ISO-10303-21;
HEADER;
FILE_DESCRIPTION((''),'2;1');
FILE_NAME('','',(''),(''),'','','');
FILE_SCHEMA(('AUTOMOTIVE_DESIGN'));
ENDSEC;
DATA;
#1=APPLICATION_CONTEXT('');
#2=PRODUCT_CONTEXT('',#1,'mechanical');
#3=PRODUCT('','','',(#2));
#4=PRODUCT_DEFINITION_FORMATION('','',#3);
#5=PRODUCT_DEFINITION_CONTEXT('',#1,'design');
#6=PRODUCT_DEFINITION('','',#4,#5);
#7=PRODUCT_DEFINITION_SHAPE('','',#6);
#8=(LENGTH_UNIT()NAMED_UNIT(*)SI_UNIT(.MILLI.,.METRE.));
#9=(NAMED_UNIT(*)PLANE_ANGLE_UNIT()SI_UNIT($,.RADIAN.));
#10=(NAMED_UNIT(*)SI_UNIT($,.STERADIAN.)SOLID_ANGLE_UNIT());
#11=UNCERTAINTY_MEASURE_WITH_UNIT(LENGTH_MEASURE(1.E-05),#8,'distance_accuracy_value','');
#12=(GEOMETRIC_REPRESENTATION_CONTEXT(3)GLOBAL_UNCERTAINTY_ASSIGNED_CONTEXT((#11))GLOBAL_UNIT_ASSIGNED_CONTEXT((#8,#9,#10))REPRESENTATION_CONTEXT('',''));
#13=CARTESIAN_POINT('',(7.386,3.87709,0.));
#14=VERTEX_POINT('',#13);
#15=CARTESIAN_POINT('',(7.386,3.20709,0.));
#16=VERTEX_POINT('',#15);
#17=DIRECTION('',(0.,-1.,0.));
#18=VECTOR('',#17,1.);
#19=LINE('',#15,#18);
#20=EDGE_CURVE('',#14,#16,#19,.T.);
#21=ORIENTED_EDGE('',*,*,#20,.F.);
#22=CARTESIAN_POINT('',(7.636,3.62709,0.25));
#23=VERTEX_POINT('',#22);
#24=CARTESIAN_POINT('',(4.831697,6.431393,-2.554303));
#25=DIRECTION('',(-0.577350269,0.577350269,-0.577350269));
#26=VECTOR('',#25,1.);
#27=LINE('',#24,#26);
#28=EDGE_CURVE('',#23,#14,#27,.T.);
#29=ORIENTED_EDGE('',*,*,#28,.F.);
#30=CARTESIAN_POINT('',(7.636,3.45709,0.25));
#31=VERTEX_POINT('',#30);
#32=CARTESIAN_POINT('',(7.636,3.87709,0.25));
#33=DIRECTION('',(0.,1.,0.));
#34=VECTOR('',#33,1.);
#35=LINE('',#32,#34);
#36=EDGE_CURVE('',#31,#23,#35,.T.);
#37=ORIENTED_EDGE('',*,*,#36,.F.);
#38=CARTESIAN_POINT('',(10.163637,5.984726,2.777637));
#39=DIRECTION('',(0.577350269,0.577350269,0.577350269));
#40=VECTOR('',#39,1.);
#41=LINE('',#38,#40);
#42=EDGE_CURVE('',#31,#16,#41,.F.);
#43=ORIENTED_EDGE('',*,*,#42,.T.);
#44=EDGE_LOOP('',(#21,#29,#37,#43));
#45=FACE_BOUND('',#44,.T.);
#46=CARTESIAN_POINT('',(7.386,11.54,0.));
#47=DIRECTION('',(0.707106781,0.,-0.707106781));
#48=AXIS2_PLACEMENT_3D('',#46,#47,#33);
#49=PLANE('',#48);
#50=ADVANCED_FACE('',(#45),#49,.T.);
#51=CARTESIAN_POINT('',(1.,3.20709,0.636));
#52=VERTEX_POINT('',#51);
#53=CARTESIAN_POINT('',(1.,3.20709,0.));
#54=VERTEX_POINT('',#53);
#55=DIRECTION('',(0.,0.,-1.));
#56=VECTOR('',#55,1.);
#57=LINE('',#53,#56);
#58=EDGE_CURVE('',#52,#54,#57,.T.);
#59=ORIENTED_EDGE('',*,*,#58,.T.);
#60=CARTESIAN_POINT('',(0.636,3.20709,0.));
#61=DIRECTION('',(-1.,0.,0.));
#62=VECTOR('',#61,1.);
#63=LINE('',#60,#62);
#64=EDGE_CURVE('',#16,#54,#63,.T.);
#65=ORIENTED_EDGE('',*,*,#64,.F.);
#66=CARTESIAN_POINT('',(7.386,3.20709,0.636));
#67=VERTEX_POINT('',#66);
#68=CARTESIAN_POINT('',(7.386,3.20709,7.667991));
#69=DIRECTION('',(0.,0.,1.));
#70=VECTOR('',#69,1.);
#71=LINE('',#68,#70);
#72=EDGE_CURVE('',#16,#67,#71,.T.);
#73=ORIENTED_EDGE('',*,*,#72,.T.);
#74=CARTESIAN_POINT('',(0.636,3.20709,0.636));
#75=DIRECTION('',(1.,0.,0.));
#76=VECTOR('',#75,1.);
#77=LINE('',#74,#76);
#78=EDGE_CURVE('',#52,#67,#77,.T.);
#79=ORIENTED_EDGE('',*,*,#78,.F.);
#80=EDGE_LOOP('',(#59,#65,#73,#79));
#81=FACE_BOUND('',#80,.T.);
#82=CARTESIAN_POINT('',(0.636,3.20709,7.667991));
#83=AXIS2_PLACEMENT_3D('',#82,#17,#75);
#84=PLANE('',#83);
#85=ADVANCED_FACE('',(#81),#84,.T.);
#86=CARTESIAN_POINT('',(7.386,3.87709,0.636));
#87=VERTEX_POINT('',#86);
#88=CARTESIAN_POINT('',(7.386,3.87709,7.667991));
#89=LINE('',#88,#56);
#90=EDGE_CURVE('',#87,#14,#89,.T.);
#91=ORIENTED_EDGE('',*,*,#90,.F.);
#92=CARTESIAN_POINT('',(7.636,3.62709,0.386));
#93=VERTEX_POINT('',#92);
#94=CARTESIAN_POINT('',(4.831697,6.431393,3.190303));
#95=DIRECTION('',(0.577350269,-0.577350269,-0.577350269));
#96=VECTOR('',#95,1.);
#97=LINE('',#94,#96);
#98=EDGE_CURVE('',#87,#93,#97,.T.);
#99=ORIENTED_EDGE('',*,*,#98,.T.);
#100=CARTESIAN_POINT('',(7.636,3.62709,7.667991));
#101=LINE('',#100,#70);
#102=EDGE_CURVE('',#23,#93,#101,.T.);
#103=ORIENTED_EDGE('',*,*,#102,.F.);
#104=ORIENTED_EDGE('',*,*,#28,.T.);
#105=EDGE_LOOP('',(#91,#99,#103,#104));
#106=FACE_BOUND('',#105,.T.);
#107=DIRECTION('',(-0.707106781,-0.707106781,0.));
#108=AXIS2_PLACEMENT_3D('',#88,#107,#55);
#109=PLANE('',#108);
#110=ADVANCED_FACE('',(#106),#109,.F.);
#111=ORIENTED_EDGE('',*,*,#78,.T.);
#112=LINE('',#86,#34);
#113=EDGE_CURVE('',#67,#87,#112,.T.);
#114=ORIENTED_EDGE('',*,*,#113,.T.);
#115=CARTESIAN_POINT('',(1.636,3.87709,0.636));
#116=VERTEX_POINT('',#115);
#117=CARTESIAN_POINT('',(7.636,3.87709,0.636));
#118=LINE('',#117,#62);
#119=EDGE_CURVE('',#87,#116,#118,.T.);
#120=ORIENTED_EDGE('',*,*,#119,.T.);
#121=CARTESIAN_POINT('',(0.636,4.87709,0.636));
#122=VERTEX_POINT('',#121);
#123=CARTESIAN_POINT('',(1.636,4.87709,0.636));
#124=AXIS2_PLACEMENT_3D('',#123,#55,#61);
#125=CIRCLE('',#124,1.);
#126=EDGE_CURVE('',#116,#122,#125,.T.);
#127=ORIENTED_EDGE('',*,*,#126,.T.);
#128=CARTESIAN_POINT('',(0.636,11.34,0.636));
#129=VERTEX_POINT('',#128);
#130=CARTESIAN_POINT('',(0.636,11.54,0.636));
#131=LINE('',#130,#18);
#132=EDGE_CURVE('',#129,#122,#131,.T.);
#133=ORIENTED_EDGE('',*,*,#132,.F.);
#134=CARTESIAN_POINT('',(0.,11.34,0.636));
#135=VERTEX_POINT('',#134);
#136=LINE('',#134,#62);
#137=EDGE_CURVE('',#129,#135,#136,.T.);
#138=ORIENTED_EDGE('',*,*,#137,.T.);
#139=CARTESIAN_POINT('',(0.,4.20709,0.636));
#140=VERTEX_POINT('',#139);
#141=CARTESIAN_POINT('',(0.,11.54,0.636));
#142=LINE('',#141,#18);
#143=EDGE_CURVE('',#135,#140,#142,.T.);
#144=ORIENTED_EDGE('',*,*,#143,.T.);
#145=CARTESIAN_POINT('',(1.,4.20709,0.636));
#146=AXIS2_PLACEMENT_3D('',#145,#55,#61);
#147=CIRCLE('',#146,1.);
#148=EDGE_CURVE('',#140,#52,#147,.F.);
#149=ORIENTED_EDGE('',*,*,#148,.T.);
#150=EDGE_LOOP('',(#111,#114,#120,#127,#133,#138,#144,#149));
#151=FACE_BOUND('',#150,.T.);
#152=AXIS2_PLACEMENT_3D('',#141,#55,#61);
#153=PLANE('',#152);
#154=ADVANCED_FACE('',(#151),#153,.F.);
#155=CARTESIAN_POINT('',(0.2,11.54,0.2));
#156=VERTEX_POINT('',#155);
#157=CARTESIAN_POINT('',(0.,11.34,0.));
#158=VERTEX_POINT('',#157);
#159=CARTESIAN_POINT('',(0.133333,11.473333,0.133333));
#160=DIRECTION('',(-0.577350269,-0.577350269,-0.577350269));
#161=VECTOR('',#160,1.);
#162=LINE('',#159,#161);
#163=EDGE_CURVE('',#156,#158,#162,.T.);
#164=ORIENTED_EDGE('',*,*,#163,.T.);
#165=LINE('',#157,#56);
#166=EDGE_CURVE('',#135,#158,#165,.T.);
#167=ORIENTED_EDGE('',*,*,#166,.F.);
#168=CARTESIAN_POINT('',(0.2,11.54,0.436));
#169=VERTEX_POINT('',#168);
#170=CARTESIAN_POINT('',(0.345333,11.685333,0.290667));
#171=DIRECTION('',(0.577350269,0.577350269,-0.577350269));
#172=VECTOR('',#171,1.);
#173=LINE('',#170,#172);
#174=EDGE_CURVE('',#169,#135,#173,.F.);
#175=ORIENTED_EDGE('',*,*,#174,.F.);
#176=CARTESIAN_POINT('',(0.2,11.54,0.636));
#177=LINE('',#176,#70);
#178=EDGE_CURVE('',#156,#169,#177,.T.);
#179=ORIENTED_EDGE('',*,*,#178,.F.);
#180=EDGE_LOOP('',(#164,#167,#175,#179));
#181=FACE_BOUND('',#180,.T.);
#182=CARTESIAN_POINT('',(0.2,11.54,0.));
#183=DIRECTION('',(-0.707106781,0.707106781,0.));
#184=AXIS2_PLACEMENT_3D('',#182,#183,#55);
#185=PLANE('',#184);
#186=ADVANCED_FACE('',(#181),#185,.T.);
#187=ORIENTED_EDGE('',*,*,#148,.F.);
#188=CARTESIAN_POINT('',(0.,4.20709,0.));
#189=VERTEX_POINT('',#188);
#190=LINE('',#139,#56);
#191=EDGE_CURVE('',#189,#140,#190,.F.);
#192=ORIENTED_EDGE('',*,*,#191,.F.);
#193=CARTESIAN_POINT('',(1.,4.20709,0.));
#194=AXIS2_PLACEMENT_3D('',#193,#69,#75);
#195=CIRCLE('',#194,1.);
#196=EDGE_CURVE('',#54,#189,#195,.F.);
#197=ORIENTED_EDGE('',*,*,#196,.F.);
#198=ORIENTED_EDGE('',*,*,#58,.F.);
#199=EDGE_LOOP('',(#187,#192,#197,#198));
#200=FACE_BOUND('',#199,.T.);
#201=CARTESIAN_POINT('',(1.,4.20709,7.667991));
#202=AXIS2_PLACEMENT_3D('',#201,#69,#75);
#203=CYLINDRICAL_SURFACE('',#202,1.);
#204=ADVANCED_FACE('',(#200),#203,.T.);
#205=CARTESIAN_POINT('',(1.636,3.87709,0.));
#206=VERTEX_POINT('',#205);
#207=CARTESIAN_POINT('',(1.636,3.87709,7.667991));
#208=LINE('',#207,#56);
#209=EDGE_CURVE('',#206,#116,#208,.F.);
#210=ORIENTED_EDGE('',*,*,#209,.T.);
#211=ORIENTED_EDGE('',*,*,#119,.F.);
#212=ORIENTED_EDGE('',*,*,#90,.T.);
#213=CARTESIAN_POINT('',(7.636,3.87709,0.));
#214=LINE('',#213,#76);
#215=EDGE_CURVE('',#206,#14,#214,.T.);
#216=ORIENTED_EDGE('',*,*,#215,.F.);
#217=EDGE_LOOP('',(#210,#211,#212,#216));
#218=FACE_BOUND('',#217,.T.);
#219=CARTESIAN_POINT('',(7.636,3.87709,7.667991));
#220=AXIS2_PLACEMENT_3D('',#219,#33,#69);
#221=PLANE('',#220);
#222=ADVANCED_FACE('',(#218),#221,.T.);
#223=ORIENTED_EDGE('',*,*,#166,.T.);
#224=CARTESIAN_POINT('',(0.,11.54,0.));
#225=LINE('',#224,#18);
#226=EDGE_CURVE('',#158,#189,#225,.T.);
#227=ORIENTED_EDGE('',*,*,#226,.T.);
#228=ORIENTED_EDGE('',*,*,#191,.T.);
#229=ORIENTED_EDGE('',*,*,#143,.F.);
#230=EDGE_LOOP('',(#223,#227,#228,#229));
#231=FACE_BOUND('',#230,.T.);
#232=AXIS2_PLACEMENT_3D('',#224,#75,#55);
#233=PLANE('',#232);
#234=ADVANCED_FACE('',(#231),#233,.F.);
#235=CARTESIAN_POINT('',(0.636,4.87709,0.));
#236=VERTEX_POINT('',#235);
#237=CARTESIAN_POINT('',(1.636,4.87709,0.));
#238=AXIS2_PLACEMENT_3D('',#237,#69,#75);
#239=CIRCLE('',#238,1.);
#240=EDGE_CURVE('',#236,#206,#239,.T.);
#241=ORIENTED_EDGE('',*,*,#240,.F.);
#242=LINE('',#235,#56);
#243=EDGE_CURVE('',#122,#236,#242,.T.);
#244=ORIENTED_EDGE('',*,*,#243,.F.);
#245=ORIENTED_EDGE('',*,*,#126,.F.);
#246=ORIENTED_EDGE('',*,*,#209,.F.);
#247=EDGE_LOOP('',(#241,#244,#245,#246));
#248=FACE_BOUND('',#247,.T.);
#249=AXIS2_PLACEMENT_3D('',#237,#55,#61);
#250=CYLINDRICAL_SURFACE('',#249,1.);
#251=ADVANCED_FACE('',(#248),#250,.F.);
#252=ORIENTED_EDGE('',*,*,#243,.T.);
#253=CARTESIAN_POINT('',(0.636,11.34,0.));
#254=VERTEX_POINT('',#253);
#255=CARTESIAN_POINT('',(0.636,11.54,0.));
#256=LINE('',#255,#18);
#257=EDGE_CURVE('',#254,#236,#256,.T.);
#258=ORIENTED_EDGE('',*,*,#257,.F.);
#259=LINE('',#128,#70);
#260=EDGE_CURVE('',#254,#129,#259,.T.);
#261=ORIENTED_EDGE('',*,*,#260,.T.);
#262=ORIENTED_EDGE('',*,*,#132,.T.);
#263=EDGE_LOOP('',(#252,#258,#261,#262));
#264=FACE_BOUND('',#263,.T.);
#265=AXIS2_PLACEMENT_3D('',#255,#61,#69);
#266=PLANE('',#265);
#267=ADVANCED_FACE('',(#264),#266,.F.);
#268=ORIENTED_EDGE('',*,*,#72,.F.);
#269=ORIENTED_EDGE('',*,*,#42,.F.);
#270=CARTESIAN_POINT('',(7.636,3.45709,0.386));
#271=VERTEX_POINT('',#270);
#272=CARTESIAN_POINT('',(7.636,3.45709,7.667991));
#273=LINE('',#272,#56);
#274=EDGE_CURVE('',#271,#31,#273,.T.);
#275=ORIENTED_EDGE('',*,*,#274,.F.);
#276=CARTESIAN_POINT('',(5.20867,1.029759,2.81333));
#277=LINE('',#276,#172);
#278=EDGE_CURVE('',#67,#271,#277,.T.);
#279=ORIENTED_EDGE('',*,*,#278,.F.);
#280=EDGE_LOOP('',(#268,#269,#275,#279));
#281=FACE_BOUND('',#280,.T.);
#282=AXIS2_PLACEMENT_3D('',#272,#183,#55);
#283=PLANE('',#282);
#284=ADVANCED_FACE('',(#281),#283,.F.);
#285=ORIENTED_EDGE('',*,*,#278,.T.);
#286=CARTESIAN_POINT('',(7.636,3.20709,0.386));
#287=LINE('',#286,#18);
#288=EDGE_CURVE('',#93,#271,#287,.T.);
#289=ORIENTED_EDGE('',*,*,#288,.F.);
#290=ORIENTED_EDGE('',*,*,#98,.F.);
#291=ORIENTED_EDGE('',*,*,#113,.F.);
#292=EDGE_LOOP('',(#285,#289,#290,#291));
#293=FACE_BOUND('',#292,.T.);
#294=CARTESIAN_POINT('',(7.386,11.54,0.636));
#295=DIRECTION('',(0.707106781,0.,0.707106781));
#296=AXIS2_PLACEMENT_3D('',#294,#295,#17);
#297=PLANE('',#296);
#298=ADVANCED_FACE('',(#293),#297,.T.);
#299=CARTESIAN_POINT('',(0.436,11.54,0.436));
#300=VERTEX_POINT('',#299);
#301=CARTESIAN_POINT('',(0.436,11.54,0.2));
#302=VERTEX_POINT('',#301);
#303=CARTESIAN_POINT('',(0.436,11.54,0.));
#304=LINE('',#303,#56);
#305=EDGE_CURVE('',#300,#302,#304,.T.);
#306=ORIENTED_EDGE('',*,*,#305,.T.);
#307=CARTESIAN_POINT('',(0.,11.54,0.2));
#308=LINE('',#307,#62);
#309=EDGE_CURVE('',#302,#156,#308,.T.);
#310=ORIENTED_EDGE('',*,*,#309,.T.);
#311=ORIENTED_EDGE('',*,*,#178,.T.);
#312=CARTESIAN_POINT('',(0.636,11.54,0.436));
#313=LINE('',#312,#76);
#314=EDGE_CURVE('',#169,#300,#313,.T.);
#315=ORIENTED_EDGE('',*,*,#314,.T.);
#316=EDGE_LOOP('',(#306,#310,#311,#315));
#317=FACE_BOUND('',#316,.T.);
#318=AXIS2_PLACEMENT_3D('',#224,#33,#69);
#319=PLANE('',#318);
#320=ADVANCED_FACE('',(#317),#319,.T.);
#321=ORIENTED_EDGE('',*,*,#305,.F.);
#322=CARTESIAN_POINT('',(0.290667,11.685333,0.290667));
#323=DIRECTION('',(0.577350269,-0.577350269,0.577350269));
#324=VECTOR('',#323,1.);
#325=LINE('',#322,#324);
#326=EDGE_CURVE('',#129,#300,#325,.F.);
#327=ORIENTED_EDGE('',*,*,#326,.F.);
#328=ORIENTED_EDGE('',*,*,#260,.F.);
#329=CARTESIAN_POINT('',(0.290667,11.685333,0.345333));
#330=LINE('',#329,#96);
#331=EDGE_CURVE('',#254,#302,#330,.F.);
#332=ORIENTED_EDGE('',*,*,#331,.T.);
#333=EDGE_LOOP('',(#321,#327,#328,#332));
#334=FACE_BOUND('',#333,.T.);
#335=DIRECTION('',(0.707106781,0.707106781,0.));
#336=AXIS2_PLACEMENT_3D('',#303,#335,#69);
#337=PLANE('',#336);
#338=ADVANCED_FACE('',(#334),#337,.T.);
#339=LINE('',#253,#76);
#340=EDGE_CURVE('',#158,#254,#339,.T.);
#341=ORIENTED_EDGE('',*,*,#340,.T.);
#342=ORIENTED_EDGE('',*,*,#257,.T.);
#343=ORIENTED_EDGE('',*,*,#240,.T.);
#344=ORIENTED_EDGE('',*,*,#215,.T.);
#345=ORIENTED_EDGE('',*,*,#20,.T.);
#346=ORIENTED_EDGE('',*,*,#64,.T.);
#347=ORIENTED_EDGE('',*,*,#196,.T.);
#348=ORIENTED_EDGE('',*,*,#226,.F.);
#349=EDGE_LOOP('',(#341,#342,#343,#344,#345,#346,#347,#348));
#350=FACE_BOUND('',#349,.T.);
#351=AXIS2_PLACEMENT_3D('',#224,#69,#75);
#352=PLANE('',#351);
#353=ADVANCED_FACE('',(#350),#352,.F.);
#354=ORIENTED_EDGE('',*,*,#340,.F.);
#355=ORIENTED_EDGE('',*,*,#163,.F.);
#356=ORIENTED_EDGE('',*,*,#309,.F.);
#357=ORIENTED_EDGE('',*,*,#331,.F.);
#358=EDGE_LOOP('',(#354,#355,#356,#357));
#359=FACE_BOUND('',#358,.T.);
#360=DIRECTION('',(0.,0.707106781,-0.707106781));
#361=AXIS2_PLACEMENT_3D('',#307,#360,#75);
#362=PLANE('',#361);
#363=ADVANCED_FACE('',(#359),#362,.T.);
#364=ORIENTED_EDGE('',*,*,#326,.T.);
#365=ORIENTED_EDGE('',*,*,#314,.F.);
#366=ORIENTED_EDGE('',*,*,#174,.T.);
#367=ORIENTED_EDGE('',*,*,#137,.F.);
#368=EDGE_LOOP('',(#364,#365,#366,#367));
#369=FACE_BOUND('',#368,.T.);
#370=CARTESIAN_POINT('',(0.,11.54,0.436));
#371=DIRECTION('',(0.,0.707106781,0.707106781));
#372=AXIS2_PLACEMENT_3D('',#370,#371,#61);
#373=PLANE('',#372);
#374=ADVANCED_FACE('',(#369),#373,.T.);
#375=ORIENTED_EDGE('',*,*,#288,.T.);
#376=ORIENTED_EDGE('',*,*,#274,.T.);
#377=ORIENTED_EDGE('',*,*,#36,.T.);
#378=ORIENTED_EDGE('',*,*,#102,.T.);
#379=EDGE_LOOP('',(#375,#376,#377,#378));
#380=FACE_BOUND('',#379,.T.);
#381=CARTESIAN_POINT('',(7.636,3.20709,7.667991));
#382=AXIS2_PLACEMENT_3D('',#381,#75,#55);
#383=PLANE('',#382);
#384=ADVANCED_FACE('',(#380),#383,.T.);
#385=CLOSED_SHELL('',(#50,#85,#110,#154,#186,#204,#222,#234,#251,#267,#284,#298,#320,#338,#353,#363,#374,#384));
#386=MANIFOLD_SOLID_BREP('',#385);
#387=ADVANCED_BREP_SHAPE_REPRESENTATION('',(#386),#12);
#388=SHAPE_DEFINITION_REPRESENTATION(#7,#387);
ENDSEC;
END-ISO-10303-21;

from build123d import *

# Parameters (mm, degrees)
PIN_DRAWING_W       = 0.636
PIN_DRAWING_H       = 0.636
PIN_DEPTH           = 11.54
CHAMFER2_SIZE       = 0.2
SKETCH1_W           = 7
SKETCH1_H           = 0.67
BOSS_EXTRUDE1_DEPTH = 0.636
CHAMFER3_SIZE       = 0.25
SKETCH2_W           = 0.636
SKETCH2_H           = 3.640361057
CUT_EXTRUDE1_DEPTH  = 0.636
FILLET1_R           = 1


with BuildPart() as part:
    # pin_drawing → pin (new body)
    with BuildSketch(Plane(origin=(0, 0, 0), x_dir=(1, 0, 0), z_dir=(0, 1, 0))):
        with Locations((0.318, -0.318)):
            Rectangle(PIN_DRAWING_W, PIN_DRAWING_H)
    extrude(amount=PIN_DEPTH)

    # Chamfer2
    chamfer2_edges = [part.edges().sort_by_distance(p)[0] for p in [
        (0.636, 11.54, 0.318),
        (0.318, 11.54, 0),
        (0, 11.54, 0.318),
        (0.318, 0, 0),
        (0.636, 0, 0.318),
        (0.318, 0, 0.636),
        (0, 0, 0.318),
        (0.318, 11.54, 0.636),
    ]]
    chamfer(chamfer2_edges, length=CHAMFER2_SIZE)

    # Sketch1 → Boss-Extrude1 (add)
    with BuildSketch(Plane(origin=(0, 0, 0), x_dir=(-1, 0, 0), z_dir=(0, 0, -1))):
        with Locations((-4.136, 3.542089627)):
            Rectangle(SKETCH1_W, SKETCH1_H)
    extrude(amount=-BOSS_EXTRUDE1_DEPTH)

    # Chamfer3
    chamfer3_edges = [part.edges().sort_by_distance(p)[0] for p in [
        (7.636, 3.877089627, 0.318),
        (7.636, 3.542089627, 0.636),
        (7.636, 3.542089627, 0),
        (7.636, 3.207089627, 0.318),
    ]]
    chamfer(chamfer3_edges, length=CHAMFER3_SIZE)

    # Sketch2 → Cut-Extrude1 (cut)
    with BuildSketch(Plane(origin=(0, 0, 0), x_dir=(-1, 0, 0), z_dir=(0, 0, -1))):
        with Locations((-0.318, 1.386909099)):
            Rectangle(SKETCH2_W, SKETCH2_H)
    extrude(amount=-CUT_EXTRUDE1_DEPTH, mode=Mode.SUBTRACT)

    # Fillet1
    fillet1_edges = [part.edges().sort_by_distance(p)[0] for p in [
        (0.636, 3.877089627, 0.318),
        (0, 3.207089627, 0.318),
    ]]
    fillet(fillet1_edges, radius=FILLET1_R)


solid = part.part
